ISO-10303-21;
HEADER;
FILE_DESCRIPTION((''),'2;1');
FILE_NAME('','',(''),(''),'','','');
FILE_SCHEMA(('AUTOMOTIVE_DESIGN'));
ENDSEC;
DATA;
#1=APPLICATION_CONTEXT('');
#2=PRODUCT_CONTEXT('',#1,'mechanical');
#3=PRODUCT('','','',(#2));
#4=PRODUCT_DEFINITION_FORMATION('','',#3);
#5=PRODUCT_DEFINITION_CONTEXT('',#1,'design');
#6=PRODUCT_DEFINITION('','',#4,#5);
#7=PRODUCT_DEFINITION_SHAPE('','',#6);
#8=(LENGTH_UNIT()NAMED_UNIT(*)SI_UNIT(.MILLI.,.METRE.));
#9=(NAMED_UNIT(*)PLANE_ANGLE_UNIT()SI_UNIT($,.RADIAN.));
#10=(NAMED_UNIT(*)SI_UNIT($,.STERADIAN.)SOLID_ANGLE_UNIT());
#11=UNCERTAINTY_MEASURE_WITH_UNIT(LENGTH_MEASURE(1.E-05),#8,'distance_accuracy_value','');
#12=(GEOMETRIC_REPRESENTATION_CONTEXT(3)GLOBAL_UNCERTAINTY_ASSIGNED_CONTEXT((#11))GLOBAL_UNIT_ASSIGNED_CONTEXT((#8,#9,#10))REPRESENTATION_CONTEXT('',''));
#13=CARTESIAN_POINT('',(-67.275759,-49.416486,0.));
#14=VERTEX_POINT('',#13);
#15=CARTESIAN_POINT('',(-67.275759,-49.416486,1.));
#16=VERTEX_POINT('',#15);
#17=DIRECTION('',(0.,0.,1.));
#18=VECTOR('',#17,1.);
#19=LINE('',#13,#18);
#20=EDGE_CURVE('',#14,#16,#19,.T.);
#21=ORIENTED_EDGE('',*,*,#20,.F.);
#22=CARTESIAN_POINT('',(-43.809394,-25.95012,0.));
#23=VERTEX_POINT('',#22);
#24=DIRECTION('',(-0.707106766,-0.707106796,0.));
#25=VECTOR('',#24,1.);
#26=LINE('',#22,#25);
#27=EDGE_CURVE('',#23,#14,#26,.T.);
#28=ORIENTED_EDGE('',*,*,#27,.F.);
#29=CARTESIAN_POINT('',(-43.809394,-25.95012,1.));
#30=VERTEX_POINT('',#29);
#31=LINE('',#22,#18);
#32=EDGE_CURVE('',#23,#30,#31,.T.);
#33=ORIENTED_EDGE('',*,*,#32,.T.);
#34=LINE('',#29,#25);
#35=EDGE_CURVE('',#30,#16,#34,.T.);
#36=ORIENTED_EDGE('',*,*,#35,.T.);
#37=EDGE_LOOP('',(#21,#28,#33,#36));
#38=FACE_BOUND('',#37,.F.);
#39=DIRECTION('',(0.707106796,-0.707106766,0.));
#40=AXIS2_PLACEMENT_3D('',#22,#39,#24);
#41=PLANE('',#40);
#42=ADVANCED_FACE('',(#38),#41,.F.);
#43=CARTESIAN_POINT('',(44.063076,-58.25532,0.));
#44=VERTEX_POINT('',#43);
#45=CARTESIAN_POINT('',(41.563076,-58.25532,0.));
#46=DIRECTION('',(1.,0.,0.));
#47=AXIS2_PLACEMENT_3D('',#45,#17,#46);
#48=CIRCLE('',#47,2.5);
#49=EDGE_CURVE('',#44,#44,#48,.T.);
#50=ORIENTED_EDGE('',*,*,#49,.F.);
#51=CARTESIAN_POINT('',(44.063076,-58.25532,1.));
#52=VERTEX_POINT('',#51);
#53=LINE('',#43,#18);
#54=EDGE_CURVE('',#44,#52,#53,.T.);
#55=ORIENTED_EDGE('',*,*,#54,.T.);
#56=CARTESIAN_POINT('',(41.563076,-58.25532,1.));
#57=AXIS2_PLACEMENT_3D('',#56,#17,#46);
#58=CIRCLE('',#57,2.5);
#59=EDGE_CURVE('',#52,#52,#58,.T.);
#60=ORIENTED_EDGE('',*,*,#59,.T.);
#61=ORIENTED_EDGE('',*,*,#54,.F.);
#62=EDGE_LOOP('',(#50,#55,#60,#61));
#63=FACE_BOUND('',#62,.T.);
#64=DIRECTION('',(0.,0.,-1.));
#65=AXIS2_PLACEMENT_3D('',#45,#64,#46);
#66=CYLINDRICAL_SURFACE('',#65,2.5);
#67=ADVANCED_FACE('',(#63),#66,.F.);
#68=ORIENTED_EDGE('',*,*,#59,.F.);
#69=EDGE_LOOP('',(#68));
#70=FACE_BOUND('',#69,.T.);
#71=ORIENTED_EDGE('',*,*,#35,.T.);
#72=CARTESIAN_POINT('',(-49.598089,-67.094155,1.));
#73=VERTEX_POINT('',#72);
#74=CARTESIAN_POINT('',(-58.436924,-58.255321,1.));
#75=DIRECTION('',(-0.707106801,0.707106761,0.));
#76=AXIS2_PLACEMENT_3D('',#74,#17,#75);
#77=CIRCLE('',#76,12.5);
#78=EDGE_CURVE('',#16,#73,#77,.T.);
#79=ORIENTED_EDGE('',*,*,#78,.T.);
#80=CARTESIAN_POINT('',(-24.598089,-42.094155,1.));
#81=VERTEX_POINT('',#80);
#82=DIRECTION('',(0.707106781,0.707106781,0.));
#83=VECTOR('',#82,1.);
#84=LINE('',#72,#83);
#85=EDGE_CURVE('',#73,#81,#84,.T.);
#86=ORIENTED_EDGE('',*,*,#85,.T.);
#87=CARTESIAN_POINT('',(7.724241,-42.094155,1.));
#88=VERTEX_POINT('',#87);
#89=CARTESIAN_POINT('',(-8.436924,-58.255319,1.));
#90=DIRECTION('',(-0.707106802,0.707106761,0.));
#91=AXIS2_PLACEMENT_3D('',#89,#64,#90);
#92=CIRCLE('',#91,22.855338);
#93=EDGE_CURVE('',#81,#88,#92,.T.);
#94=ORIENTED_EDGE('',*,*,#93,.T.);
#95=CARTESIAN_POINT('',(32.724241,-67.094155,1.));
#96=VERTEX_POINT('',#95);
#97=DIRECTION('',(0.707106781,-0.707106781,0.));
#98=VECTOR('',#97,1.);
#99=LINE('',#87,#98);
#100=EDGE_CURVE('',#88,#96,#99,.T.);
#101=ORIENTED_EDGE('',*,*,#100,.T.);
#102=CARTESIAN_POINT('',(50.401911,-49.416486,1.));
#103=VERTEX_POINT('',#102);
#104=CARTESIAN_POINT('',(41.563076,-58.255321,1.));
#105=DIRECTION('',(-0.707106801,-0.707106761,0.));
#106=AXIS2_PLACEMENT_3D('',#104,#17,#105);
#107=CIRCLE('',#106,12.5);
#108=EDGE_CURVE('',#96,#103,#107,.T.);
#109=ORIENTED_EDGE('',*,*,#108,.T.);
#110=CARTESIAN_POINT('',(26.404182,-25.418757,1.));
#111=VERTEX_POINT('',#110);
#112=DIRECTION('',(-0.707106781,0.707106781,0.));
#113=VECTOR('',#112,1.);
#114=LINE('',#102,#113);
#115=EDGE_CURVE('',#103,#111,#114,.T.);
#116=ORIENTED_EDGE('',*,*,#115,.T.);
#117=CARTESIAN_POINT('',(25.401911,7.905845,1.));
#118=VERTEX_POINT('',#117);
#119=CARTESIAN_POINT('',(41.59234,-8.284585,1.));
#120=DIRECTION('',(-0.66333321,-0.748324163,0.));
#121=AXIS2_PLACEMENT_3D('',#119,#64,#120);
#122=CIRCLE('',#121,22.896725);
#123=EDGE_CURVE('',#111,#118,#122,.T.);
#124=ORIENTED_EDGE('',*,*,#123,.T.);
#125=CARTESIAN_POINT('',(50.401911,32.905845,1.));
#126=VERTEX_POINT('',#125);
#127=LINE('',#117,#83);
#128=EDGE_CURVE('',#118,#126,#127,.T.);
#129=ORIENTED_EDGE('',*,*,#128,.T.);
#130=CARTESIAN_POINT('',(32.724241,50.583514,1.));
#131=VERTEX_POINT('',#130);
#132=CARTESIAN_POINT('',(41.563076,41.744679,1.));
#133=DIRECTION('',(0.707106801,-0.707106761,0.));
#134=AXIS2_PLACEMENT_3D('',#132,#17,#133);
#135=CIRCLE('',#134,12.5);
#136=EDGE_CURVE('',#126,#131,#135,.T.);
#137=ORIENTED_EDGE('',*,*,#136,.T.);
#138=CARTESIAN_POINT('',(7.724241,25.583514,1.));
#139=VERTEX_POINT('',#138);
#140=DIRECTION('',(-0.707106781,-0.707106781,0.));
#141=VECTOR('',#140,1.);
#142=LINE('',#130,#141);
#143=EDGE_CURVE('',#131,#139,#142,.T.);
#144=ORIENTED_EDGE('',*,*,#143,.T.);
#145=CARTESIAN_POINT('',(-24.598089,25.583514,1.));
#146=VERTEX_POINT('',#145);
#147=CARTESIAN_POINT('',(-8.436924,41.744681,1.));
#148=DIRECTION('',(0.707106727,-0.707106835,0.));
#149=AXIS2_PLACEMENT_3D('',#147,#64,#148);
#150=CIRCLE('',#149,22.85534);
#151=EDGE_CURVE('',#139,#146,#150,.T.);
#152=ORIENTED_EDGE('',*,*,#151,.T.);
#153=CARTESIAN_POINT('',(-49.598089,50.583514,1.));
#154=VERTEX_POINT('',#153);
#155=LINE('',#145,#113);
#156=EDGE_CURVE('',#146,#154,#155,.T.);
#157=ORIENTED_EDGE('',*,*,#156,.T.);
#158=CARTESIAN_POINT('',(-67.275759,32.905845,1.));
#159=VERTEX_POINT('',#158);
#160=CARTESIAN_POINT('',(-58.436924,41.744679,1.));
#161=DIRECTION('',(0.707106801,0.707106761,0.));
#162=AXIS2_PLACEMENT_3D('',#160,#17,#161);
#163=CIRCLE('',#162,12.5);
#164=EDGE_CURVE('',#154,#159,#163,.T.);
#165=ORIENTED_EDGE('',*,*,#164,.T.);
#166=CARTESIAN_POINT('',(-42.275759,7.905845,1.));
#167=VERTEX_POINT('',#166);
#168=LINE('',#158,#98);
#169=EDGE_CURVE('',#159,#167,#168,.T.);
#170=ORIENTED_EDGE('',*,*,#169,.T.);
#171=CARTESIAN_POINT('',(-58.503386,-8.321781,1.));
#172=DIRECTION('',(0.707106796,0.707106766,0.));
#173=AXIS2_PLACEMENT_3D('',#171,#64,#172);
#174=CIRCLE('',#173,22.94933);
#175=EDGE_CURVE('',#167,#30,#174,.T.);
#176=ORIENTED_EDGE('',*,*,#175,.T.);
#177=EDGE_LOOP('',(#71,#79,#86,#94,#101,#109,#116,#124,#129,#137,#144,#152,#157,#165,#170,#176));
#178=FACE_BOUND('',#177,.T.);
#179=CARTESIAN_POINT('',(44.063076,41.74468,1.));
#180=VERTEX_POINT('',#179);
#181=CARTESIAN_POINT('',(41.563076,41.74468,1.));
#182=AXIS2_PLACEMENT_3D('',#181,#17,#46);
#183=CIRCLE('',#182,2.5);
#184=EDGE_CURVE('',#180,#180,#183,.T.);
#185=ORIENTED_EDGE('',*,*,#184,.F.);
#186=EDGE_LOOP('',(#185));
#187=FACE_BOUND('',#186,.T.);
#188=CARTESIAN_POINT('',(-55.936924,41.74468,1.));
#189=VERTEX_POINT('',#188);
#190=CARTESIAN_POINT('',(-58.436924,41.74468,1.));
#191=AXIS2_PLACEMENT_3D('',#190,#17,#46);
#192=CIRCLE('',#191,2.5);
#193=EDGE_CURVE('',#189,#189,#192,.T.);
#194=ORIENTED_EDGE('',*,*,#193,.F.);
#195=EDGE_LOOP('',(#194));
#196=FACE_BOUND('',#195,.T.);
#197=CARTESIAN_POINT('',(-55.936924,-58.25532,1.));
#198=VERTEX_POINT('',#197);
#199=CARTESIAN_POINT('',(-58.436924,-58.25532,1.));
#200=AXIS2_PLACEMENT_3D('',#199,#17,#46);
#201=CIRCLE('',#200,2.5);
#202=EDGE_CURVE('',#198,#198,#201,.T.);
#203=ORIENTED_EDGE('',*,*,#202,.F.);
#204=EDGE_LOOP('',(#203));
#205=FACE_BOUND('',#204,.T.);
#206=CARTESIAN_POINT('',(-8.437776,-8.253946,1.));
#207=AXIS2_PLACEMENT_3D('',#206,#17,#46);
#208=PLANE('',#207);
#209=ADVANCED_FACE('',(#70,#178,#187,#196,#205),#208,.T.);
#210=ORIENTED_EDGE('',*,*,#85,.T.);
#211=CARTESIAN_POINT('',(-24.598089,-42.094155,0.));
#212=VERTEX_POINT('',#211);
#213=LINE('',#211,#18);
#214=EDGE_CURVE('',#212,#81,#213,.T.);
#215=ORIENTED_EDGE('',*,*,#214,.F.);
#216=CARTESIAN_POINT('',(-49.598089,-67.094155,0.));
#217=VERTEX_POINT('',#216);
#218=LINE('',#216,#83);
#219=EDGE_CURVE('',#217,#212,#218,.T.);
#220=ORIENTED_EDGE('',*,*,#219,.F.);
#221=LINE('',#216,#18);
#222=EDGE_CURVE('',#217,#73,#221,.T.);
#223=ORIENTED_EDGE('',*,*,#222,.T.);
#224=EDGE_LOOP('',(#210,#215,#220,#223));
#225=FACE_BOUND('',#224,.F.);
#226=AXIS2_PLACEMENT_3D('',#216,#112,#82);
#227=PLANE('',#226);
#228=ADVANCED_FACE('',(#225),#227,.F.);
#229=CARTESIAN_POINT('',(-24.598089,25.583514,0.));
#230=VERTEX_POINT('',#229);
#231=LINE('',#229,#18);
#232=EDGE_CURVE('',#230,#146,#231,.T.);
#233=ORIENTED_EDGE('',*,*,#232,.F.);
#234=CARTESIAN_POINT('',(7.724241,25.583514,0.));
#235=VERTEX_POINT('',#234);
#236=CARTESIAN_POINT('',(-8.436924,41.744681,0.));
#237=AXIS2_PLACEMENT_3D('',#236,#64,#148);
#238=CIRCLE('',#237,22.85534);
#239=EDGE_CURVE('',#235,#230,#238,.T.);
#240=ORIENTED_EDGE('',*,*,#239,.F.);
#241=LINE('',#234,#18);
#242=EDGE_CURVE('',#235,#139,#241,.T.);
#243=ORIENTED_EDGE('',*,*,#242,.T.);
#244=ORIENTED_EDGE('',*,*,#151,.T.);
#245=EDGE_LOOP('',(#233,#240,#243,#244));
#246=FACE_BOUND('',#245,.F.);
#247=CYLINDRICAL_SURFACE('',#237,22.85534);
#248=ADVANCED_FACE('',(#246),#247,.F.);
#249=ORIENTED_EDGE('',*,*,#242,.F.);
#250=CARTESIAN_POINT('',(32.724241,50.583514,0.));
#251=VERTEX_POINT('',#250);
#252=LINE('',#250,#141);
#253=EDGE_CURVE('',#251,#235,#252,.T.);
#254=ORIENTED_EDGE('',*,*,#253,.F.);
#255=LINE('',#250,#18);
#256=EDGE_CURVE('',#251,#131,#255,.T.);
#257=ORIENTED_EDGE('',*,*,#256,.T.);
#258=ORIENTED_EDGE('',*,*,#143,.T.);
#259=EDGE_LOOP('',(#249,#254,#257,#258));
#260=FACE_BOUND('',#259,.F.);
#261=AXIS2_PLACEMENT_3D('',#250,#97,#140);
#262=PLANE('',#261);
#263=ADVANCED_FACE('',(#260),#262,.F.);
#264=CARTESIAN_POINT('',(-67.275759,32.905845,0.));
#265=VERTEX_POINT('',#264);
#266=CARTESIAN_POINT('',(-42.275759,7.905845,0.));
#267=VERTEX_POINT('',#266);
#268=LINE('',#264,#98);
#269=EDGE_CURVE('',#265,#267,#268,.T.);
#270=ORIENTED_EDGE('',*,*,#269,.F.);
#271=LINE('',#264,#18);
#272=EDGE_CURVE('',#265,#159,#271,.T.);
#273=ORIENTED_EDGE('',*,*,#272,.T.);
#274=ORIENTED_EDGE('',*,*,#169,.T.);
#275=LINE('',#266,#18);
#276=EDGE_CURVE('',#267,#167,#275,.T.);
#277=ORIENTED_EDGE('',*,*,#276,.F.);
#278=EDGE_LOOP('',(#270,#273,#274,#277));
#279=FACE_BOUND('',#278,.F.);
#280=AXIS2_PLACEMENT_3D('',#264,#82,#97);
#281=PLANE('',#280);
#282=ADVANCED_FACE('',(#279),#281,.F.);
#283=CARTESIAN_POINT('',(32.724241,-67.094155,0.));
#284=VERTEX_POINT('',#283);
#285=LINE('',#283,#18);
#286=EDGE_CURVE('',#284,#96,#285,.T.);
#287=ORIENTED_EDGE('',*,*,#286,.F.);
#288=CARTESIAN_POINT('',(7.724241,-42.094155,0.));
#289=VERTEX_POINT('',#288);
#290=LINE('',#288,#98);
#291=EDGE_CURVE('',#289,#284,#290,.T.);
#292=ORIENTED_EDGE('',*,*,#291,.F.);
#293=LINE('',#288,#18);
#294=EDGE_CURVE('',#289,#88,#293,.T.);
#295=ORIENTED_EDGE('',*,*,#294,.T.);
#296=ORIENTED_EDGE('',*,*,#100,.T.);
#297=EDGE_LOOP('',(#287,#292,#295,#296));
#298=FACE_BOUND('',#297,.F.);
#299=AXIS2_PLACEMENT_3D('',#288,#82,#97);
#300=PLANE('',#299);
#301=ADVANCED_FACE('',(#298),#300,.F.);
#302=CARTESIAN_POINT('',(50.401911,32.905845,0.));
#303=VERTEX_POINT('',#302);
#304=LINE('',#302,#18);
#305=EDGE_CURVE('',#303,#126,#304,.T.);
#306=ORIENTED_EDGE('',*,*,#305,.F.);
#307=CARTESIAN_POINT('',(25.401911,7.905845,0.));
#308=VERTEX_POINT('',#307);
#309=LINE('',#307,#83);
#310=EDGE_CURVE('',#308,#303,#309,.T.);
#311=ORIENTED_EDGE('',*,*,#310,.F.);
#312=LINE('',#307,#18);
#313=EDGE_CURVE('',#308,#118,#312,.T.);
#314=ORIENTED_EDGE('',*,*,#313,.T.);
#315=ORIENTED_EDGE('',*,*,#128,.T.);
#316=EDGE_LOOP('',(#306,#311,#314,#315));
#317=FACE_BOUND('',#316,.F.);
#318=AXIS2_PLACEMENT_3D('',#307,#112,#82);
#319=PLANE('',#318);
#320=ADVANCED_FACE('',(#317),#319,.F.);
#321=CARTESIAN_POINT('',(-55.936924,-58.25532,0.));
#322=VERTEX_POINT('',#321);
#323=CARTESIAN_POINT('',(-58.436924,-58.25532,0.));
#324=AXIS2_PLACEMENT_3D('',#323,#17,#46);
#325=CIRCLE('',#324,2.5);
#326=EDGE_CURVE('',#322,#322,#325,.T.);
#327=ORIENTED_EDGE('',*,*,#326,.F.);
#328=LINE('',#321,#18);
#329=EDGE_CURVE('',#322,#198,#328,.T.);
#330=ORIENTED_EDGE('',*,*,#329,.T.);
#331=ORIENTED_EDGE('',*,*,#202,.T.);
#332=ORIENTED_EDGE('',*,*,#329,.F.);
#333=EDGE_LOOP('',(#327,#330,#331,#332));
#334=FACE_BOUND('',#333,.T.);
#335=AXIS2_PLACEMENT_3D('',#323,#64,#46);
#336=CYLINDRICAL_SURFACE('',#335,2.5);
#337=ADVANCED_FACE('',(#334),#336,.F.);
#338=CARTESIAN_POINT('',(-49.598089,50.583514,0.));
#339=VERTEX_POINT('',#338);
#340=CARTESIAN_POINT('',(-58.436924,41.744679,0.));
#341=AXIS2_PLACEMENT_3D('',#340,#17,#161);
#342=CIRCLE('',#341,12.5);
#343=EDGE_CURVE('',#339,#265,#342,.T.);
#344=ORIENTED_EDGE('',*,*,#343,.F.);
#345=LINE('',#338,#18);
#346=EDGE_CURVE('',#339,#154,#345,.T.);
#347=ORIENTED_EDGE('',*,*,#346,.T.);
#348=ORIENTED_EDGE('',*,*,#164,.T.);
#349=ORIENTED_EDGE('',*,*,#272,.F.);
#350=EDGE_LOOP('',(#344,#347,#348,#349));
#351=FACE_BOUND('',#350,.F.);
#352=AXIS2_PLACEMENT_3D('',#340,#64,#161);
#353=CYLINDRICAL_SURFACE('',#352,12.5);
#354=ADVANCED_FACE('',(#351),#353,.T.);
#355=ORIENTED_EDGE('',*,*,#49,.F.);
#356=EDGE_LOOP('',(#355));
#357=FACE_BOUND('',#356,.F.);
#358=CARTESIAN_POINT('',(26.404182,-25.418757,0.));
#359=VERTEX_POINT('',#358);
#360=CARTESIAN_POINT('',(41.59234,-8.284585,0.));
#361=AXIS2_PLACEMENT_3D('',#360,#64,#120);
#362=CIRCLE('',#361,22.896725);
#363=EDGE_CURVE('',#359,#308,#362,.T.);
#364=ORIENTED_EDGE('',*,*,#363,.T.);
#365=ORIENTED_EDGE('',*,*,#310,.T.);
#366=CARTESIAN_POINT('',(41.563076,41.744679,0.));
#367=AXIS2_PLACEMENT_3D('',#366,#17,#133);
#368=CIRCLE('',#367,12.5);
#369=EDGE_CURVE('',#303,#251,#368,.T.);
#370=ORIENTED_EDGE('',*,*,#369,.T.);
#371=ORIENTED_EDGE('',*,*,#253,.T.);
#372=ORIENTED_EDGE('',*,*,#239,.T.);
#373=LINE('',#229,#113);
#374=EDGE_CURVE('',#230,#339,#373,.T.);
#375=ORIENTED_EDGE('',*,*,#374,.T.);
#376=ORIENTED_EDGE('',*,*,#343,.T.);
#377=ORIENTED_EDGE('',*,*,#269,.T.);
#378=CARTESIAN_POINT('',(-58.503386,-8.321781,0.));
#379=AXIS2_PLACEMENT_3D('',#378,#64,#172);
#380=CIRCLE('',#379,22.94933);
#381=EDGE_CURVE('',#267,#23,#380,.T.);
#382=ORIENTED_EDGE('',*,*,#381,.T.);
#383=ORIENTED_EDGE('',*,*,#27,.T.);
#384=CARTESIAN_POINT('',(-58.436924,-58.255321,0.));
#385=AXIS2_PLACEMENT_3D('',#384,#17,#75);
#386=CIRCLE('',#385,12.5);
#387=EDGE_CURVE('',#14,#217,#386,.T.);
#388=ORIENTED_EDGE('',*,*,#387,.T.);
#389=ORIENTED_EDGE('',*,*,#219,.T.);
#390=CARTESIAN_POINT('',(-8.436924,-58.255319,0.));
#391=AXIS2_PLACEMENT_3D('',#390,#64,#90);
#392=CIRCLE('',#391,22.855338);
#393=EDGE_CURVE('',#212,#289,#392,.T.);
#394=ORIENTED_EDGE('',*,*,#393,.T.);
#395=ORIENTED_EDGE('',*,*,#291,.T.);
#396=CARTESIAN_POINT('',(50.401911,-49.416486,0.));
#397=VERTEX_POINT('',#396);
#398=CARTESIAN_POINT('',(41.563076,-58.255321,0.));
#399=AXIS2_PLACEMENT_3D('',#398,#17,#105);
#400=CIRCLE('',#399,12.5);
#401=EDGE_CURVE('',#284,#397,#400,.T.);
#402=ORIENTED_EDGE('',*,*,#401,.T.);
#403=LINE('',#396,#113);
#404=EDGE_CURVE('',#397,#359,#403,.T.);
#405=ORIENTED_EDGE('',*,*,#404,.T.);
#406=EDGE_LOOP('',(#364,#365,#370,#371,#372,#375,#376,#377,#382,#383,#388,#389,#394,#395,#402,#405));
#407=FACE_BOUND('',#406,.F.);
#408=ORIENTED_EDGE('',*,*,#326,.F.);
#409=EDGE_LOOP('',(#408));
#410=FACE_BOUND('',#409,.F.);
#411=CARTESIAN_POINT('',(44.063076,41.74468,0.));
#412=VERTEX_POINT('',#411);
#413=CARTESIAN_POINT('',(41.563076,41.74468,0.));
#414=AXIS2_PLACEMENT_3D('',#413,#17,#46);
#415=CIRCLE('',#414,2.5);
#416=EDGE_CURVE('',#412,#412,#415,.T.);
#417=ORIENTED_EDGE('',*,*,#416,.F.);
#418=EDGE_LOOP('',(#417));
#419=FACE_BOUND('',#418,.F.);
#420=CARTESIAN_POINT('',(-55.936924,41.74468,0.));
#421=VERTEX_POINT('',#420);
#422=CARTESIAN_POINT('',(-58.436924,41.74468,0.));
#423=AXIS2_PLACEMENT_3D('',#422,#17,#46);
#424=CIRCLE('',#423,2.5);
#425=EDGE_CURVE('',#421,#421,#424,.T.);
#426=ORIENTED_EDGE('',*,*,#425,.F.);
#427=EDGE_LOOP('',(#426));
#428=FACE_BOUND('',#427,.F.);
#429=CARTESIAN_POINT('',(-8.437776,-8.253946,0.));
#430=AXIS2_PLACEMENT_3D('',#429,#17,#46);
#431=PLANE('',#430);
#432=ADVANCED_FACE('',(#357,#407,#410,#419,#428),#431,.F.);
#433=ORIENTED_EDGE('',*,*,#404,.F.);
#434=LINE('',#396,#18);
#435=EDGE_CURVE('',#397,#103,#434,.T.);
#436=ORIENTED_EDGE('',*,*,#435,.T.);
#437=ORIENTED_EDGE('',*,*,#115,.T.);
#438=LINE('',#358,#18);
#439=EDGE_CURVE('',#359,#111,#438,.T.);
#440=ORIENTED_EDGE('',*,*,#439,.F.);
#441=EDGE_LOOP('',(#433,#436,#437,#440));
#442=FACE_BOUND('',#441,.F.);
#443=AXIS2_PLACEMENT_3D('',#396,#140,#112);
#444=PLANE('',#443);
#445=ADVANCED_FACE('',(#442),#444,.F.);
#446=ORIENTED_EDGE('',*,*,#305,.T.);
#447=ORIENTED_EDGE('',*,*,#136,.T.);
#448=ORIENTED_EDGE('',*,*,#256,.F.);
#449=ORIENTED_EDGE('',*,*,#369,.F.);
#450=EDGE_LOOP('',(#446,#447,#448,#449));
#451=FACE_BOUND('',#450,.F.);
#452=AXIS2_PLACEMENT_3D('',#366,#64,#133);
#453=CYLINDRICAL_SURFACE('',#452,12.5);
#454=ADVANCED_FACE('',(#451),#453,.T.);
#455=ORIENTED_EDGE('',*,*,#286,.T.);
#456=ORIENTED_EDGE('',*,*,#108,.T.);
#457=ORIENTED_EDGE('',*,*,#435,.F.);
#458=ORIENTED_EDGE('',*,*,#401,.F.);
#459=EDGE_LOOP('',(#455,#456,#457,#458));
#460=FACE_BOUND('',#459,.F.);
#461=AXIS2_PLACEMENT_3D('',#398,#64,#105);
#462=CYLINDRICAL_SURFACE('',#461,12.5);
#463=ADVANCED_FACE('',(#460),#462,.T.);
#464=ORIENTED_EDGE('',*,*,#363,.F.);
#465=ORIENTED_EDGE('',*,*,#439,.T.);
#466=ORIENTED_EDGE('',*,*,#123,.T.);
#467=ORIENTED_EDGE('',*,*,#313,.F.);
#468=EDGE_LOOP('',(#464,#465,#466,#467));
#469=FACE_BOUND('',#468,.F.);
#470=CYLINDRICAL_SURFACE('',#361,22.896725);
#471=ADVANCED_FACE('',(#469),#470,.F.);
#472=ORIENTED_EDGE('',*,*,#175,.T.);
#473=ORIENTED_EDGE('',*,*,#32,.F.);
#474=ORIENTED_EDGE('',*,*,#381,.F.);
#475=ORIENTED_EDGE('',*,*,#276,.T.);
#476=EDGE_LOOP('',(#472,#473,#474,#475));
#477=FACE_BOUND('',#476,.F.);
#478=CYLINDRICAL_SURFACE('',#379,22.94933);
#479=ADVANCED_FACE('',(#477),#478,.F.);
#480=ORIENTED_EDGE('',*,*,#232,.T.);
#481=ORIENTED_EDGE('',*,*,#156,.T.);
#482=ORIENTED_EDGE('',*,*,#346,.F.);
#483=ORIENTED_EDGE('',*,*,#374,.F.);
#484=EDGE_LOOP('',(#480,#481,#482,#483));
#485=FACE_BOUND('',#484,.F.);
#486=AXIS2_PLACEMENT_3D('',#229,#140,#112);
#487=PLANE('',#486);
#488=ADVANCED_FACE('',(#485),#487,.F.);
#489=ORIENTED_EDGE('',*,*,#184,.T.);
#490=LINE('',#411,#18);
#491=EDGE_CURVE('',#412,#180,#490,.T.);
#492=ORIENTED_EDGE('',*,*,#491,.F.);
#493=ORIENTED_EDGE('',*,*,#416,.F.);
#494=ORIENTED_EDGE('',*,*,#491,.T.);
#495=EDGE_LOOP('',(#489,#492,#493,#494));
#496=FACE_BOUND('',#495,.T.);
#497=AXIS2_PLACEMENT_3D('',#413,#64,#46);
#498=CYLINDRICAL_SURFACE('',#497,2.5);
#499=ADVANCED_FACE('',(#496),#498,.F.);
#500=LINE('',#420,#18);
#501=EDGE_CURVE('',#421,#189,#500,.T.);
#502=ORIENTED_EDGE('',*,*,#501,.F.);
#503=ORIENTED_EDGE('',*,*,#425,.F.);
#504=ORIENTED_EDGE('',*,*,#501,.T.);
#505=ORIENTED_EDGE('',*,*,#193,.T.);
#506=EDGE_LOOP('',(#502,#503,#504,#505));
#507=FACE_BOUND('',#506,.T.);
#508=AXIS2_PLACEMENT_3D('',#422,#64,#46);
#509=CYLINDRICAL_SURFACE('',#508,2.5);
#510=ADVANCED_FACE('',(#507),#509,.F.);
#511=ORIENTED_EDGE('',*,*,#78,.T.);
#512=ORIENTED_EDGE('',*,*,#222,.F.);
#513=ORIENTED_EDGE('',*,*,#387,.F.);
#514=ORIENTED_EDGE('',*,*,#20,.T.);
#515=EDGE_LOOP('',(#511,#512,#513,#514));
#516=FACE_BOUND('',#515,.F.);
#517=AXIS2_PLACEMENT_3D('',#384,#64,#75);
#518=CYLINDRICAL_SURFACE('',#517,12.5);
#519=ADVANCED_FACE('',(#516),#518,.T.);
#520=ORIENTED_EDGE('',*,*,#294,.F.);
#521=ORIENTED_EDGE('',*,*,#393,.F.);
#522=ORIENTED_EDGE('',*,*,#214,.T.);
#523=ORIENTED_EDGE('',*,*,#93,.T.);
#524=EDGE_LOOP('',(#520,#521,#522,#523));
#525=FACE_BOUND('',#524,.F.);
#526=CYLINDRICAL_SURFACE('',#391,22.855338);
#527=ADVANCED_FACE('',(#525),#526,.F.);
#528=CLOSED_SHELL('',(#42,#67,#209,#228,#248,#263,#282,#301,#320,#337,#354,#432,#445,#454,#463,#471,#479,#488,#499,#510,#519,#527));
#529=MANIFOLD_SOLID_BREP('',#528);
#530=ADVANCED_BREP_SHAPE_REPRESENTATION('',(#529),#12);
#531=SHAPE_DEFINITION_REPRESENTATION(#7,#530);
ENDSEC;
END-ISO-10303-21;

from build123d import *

# Parameters (mm, degrees)
F0_R     = 2.5
F1_DEPTH = 1


with BuildPart() as f1:
    # F0 (on Top) → F1 (new body)
    with BuildSketch(Plane.XY):
        with BuildLine():
            Line((-24.598089, 25.583514), (-49.598089, 50.583514))
            ThreePointArc((-49.598089, 50.583514), (-67.275759, 50.583514), (-67.275759, 32.905845))
            Line((-67.275759, 32.905845), (-42.275759, 7.905845))
            ThreePointArc((-42.275759, 7.905845), (-35.577566, -9.360294), (-43.809394, -25.95012))
            Line((-43.809394, -25.95012), (-67.275759, -49.416486))
            ThreePointArc((-67.275759, -49.416486), (-67.275759, -67.094155), (-49.598089, -67.094155))
            Line((-49.598089, -67.094155), (-24.598089, -42.094155))
            ThreePointArc((-24.598089, -42.094155), (-8.436924, -35.399981), (7.724241, -42.094155))
            Line((7.724241, -42.094155), (32.724241, -67.094155))
            ThreePointArc((32.724241, -67.094155), (50.401911, -67.094155), (50.401911, -49.416486))
            Line((50.401911, -49.416486), (26.404182, -25.418757))
            ThreePointArc((26.404182, -25.418757), (18.705964, -8.972916), (25.401911, 7.905845))
            Line((25.401911, 7.905845), (50.401911, 32.905845))
            ThreePointArc((50.401911, 32.905845), (50.401911, 50.583514), (32.724241, 50.583514))
            Line((32.724241, 50.583514), (7.724241, 25.583514))
            ThreePointArc((7.724241, 25.583514), (-8.436924, 18.889341), (-24.598089, 25.583514))
        make_face()
        with Locations((-58.436924, -58.25532)):
            Circle(F0_R, mode=Mode.SUBTRACT)
        with Locations((41.563076, -58.25532)):
            Circle(F0_R, mode=Mode.SUBTRACT)
        with Locations((-58.436924, 41.74468)):
            Circle(F0_R, mode=Mode.SUBTRACT)
        with Locations((41.563076, 41.74468)):
            Circle(F0_R, mode=Mode.SUBTRACT)
    extrude(amount=F1_DEPTH)


solid = f1.part
